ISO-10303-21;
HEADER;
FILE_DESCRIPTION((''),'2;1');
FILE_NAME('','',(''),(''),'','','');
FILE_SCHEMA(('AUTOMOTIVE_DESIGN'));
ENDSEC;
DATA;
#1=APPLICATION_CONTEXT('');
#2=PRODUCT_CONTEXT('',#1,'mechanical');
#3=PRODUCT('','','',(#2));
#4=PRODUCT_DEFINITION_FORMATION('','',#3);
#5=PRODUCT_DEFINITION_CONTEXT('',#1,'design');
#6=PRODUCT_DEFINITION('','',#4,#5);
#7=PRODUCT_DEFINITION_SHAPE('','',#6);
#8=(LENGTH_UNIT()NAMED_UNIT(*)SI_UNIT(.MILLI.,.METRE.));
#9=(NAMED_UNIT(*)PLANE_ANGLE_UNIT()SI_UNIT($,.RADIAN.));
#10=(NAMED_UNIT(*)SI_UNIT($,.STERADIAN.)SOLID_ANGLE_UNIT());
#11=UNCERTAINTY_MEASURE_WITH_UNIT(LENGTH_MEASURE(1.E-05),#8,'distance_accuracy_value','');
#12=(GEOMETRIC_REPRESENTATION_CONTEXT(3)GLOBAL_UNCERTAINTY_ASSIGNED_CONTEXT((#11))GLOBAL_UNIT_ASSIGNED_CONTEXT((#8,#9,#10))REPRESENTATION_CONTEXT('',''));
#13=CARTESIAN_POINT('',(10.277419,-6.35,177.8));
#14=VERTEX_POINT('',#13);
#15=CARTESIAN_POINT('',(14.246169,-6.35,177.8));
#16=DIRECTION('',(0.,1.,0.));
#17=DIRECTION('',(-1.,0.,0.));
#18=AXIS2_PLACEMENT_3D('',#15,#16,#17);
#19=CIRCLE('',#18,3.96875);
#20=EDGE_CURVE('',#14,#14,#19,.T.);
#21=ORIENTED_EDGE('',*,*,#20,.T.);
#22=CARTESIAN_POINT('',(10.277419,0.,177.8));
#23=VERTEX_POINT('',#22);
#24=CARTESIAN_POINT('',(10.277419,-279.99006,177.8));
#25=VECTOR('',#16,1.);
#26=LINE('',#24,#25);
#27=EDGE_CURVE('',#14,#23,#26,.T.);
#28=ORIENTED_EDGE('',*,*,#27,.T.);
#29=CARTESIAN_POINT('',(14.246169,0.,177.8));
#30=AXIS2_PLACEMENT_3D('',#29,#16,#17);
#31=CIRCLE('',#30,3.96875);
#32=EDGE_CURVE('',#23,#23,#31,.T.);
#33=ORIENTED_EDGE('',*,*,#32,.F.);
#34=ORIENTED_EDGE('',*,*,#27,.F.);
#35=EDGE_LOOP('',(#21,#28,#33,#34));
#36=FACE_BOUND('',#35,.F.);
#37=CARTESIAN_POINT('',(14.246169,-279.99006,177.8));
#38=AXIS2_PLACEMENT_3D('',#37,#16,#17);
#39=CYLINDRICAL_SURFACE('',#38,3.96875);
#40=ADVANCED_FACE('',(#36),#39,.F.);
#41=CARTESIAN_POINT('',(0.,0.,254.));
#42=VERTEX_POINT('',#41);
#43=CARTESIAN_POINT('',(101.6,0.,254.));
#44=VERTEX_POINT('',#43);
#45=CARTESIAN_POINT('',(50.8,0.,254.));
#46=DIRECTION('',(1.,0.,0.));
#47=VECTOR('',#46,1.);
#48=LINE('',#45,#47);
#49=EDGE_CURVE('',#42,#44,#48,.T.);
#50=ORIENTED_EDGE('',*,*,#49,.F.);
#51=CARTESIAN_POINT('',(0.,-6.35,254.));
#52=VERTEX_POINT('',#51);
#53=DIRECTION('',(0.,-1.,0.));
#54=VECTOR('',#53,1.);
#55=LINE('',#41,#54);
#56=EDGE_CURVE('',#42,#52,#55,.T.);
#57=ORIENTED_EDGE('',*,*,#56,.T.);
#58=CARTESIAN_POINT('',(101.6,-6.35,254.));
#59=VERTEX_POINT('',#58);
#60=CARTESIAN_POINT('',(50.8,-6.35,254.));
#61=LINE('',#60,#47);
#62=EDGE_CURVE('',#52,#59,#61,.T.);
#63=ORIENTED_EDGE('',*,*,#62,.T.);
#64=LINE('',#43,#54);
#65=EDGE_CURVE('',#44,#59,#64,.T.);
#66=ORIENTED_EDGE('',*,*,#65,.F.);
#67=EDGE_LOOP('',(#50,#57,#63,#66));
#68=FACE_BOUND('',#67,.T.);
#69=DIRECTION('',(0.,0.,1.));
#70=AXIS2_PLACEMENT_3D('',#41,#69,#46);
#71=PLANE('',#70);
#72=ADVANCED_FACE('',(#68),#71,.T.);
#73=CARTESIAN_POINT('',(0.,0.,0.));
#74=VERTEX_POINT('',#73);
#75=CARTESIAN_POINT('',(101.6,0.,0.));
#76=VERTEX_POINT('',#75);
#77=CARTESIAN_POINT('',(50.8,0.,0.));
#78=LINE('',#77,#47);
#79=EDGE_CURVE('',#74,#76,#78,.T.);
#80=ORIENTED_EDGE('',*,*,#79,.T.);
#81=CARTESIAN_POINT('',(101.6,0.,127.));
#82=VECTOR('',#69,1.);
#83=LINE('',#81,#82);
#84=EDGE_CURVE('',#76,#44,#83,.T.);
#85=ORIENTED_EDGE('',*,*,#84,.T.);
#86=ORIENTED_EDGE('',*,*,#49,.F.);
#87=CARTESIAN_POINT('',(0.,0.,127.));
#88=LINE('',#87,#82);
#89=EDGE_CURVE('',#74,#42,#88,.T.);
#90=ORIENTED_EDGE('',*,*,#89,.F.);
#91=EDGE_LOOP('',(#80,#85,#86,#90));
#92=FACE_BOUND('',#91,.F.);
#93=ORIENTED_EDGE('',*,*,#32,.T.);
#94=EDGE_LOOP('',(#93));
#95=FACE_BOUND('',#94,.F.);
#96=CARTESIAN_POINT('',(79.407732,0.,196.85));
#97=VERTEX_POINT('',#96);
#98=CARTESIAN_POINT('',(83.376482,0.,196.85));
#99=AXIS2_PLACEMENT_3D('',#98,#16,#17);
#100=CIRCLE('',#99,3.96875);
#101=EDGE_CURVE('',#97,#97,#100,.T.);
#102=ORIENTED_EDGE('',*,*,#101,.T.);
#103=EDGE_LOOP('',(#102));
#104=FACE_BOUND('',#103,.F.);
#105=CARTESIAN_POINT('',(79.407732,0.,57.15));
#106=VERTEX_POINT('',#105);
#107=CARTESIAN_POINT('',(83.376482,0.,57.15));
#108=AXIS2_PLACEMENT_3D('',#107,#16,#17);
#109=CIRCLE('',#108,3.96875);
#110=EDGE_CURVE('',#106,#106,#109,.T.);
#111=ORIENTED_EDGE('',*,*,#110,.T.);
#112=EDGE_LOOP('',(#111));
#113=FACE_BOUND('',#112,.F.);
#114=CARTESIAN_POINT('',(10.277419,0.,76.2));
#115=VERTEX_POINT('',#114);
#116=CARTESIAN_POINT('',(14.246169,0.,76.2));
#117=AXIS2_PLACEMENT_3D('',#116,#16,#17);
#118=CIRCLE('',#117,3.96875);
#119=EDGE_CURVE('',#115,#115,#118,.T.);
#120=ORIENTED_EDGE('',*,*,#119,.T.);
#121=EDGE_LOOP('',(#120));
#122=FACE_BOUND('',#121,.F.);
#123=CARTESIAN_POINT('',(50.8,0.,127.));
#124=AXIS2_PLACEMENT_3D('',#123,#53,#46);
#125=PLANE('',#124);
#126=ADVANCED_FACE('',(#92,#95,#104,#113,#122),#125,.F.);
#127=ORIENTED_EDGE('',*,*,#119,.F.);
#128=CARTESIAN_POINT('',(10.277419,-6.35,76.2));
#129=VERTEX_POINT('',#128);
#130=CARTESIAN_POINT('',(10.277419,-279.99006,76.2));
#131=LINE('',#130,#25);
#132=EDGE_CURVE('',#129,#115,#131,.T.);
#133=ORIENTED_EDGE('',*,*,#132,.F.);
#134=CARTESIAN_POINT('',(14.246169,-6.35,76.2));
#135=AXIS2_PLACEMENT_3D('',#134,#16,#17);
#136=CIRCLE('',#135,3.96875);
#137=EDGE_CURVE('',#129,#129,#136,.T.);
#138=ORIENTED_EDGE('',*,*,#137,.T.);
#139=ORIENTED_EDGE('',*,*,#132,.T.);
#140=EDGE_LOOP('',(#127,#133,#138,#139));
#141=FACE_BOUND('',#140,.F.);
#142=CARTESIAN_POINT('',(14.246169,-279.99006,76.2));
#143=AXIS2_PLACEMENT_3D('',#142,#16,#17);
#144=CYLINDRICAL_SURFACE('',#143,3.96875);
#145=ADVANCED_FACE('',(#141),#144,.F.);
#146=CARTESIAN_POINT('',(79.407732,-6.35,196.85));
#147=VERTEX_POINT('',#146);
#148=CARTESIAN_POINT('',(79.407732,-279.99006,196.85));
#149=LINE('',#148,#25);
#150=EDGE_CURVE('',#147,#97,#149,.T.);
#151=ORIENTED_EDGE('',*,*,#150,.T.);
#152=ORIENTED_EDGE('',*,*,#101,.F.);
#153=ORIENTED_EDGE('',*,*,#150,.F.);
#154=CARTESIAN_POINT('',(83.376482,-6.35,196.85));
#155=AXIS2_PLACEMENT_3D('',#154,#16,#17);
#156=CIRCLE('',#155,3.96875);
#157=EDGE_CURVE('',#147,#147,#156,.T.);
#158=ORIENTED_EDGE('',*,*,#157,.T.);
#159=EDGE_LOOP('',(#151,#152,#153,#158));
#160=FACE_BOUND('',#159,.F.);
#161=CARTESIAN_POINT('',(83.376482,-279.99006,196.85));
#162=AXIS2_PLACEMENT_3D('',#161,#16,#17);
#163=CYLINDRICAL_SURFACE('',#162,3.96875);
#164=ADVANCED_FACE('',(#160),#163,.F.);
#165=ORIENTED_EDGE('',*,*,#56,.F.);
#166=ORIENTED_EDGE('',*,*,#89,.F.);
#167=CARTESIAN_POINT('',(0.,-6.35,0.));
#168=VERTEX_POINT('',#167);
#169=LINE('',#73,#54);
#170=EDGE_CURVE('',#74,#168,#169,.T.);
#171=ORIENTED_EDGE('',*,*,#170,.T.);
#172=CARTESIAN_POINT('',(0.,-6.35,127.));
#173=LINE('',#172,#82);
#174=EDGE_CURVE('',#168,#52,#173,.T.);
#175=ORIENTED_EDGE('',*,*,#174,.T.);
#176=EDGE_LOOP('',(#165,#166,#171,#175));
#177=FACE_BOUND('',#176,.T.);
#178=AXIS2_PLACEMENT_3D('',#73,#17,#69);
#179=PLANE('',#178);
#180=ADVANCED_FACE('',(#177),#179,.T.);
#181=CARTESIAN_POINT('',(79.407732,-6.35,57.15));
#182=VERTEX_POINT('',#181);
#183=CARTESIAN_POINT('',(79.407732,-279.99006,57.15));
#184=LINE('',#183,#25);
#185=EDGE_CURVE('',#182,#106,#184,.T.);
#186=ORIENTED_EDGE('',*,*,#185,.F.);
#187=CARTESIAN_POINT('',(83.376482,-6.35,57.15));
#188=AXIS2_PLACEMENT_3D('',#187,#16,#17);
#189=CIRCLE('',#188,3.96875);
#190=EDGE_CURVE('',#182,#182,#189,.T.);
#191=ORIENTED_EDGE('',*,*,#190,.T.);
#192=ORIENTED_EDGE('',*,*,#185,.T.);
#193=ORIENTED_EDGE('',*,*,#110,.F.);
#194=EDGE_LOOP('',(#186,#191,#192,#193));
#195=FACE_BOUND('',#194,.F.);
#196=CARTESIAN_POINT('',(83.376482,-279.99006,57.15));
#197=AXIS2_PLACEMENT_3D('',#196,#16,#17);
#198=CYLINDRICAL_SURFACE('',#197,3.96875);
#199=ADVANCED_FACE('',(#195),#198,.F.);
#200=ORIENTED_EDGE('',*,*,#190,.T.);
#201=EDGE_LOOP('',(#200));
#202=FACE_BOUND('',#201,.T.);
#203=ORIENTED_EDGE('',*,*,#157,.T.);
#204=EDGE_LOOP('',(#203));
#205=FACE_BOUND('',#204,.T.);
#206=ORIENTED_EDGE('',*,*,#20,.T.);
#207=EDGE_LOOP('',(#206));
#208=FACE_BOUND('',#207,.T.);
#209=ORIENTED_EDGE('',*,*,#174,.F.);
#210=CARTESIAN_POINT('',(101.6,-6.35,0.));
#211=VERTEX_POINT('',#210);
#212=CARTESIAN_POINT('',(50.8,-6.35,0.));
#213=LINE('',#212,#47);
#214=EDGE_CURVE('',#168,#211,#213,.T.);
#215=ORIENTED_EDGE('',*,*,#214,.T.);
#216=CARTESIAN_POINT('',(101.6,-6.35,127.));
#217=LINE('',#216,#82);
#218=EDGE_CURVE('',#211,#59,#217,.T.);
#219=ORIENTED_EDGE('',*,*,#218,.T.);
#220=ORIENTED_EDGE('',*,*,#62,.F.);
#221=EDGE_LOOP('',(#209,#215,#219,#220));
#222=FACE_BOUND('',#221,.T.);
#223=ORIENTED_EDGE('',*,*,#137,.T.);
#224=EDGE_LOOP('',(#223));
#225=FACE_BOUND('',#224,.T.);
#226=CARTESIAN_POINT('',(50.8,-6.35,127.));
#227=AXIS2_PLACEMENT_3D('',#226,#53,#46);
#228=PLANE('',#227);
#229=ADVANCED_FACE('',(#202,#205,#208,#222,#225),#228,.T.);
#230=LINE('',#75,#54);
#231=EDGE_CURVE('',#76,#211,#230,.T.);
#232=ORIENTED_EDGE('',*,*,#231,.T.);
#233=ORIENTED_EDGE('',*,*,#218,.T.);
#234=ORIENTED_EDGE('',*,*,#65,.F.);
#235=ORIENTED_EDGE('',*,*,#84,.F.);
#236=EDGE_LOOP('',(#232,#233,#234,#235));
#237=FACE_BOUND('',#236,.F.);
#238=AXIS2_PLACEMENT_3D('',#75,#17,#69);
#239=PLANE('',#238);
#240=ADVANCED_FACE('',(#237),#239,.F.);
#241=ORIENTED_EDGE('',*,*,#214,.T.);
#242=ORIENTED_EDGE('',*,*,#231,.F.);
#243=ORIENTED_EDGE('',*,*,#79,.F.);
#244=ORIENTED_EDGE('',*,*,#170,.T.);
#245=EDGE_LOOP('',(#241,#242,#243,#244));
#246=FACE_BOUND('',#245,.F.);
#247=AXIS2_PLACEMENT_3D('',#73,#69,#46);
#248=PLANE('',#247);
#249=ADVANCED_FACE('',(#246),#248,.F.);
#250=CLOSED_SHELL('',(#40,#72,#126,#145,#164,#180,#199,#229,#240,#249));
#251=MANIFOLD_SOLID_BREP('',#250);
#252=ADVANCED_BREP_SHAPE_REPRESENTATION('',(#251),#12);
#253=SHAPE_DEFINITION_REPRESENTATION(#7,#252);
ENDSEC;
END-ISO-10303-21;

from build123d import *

# Parameters (mm, degrees)
F0_W     = 101.6
F0_H     = 254
F1_DEPTH = 6.35
F3_D     = 7.9375
F5_D     = 7.9375


with BuildPart() as f1:
    # F0 (on Front) → F1 (new body)
    with BuildSketch(Plane.XZ):
        with Locations((50.8, 127)):
            Rectangle(F0_W, F0_H)
    extrude(amount=F1_DEPTH)

    # F3 (through all)
    with Locations(Plane.XZ.offset(6.35)):
        with Locations((83.376482, 57.15), (83.376482, 196.85)):
            Hole(F3_D / 2)

    # F5 (through all)
    with Locations(Plane.XZ.offset(6.35)):
        with Locations((14.246169, 76.2), (14.246169, 177.8)):
            Hole(F5_D / 2)


solid = f1.part
